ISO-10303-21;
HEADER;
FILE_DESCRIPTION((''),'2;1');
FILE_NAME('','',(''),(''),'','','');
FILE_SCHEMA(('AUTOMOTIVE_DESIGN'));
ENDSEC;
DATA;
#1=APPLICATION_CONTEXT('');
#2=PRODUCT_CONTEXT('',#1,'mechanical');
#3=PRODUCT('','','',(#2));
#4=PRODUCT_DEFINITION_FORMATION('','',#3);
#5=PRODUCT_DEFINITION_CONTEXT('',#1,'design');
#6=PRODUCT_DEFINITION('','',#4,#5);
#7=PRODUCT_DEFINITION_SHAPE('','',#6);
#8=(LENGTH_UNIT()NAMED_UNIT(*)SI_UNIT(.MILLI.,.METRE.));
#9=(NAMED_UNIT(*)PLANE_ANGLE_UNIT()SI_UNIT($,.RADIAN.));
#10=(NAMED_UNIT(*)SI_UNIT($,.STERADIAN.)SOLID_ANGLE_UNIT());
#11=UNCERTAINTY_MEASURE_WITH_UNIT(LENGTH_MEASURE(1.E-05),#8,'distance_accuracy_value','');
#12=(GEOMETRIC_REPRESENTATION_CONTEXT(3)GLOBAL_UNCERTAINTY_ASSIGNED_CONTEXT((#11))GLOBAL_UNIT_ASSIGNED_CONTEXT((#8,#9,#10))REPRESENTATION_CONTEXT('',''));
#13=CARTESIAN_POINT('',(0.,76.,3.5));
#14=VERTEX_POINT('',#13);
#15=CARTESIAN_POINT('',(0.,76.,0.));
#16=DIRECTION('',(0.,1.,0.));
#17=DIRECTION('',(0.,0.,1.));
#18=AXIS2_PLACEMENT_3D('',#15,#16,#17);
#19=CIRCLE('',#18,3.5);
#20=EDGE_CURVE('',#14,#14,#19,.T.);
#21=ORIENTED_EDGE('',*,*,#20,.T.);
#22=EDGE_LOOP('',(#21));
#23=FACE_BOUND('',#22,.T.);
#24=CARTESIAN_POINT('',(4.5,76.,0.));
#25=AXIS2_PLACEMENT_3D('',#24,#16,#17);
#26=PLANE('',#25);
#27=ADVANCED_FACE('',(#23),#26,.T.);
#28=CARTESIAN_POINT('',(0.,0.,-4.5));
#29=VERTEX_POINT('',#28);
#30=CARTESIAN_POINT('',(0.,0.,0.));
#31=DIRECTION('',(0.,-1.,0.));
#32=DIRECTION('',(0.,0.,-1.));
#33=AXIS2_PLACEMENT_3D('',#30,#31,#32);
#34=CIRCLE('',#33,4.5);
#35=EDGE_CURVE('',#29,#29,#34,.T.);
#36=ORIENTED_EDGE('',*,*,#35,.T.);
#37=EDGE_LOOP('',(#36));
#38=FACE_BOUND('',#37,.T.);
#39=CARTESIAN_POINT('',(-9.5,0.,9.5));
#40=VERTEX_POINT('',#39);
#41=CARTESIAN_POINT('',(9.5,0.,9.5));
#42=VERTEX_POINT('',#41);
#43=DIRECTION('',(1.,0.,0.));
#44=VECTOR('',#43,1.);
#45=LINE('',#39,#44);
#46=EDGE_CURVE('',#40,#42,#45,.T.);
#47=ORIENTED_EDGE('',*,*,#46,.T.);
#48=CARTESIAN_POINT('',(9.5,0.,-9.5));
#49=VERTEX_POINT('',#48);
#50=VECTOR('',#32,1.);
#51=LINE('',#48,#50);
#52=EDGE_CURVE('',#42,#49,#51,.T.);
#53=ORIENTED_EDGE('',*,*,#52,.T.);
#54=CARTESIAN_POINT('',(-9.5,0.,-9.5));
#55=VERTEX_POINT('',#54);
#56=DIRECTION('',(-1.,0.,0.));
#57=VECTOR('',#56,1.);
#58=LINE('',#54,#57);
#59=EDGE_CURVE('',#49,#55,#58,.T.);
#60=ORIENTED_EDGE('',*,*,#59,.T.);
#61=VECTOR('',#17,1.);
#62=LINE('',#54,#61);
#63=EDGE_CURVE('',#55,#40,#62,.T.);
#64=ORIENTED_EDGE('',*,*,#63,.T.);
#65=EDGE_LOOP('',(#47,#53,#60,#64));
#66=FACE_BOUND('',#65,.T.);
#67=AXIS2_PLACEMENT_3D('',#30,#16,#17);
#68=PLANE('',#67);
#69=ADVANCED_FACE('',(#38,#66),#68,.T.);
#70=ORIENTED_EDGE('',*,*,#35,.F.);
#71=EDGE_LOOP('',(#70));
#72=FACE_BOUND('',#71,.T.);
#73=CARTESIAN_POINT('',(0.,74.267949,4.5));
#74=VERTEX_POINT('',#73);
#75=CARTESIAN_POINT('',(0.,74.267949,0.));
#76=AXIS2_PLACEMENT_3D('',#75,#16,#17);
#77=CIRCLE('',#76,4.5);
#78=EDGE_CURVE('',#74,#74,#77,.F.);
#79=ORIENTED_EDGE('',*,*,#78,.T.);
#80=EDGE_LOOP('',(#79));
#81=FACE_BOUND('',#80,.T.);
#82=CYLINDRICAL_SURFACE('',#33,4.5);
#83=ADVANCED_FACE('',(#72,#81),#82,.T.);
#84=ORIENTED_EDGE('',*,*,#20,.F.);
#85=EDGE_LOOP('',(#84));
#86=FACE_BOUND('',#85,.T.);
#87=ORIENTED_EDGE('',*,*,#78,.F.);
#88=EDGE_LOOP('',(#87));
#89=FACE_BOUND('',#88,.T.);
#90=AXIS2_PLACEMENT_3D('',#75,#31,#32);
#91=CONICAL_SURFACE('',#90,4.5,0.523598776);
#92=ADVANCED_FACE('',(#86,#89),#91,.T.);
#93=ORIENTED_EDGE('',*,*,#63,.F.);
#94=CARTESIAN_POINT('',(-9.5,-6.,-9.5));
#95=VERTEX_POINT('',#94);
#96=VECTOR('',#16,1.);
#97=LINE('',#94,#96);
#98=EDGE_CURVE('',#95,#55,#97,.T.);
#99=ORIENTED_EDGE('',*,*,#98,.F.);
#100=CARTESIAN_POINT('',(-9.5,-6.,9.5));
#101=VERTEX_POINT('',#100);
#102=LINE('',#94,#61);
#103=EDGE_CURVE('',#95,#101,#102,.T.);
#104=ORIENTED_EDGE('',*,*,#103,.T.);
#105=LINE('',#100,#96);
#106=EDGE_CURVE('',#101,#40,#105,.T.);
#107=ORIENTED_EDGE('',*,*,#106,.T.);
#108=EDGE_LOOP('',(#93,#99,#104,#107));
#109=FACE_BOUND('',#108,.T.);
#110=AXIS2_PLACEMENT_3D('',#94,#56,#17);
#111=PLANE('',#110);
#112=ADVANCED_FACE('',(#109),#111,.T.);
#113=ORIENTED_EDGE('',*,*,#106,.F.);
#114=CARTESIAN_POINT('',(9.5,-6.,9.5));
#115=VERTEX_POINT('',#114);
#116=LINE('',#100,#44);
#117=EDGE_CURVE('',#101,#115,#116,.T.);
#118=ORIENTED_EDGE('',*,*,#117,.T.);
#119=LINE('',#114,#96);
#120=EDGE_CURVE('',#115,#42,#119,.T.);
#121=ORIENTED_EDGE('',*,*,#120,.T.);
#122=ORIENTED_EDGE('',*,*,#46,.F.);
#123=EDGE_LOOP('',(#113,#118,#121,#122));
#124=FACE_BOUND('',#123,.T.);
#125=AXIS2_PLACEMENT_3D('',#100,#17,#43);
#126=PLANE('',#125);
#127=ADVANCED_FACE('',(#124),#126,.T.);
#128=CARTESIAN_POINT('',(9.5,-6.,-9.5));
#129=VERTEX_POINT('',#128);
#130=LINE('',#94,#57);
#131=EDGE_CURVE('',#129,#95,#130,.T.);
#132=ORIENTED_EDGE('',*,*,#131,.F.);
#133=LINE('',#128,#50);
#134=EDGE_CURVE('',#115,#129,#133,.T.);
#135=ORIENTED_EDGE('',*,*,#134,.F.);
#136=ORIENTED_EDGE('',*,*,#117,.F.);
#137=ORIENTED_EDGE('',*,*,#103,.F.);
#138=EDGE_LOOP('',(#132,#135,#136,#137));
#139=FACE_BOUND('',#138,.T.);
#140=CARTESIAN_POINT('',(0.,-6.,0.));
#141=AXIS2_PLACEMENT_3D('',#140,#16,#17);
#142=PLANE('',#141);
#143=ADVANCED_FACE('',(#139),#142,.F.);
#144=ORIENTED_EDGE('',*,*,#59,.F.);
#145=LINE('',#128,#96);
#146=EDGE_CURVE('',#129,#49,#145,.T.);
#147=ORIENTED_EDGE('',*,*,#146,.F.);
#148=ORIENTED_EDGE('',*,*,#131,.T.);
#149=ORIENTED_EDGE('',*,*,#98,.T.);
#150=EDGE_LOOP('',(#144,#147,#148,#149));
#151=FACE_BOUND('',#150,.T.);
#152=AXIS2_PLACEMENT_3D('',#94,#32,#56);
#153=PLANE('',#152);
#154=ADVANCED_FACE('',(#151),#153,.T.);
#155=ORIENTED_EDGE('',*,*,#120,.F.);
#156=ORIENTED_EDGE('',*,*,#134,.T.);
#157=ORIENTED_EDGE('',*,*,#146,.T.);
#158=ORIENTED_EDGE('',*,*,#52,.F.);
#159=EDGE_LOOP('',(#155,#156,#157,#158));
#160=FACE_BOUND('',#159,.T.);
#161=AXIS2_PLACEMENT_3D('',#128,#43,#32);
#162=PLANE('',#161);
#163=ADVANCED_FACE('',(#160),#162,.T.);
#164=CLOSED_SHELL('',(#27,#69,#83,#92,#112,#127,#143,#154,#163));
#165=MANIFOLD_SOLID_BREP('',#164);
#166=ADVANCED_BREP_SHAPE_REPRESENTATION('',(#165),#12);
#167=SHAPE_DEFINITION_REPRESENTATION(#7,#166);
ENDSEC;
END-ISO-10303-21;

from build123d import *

# Parameters (mm, degrees)
SKETCH1_W           = 4.5
SKETCH1_H           = 76
SKETCH2_W           = 19
SKETCH2_H           = 19
BOSS_EXTRUDE1_DEPTH = 6
CHAMFER2_SIZE       = 1
CHAMFER2_SIZE2      = 1.732050808


with BuildPart() as part:
    # Sketch1 → Revolve1 (revolve)
    with BuildSketch(Plane.XY, mode=Mode.PRIVATE) as revolve1_sk:
        with Locations((2.25, 38)):
            Rectangle(SKETCH1_W, SKETCH1_H)
    revolve(revolve1_sk.sketch.rotate(Axis((0, 0, 0), (0, 1, 0)), 90), axis=Axis((0, 0, 0), (0, 1, 0)))  # turned: the seam where the file's is

    # Sketch2 → Boss-Extrude1 (add)
    with BuildSketch(Plane(origin=(0, 0, 0), x_dir=(1, 0, 0), z_dir=(0, 1, 0))):
        Rectangle(SKETCH2_W, SKETCH2_H)
    extrude(amount=-BOSS_EXTRUDE1_DEPTH)

    # Chamfer2
    chamfer2_edges = [part.edges().sort_by_distance(p)[0] for p in [
        (0, 76, 4.5),
    ]]
    chamfer2_side = [part.faces().sort_by_distance(p)[0] for p in [
        (0, 76, 0),
    ]]
    chamfer(chamfer2_edges, length=CHAMFER2_SIZE, length2=CHAMFER2_SIZE2, reference=chamfer2_side[0])


solid = part.part
